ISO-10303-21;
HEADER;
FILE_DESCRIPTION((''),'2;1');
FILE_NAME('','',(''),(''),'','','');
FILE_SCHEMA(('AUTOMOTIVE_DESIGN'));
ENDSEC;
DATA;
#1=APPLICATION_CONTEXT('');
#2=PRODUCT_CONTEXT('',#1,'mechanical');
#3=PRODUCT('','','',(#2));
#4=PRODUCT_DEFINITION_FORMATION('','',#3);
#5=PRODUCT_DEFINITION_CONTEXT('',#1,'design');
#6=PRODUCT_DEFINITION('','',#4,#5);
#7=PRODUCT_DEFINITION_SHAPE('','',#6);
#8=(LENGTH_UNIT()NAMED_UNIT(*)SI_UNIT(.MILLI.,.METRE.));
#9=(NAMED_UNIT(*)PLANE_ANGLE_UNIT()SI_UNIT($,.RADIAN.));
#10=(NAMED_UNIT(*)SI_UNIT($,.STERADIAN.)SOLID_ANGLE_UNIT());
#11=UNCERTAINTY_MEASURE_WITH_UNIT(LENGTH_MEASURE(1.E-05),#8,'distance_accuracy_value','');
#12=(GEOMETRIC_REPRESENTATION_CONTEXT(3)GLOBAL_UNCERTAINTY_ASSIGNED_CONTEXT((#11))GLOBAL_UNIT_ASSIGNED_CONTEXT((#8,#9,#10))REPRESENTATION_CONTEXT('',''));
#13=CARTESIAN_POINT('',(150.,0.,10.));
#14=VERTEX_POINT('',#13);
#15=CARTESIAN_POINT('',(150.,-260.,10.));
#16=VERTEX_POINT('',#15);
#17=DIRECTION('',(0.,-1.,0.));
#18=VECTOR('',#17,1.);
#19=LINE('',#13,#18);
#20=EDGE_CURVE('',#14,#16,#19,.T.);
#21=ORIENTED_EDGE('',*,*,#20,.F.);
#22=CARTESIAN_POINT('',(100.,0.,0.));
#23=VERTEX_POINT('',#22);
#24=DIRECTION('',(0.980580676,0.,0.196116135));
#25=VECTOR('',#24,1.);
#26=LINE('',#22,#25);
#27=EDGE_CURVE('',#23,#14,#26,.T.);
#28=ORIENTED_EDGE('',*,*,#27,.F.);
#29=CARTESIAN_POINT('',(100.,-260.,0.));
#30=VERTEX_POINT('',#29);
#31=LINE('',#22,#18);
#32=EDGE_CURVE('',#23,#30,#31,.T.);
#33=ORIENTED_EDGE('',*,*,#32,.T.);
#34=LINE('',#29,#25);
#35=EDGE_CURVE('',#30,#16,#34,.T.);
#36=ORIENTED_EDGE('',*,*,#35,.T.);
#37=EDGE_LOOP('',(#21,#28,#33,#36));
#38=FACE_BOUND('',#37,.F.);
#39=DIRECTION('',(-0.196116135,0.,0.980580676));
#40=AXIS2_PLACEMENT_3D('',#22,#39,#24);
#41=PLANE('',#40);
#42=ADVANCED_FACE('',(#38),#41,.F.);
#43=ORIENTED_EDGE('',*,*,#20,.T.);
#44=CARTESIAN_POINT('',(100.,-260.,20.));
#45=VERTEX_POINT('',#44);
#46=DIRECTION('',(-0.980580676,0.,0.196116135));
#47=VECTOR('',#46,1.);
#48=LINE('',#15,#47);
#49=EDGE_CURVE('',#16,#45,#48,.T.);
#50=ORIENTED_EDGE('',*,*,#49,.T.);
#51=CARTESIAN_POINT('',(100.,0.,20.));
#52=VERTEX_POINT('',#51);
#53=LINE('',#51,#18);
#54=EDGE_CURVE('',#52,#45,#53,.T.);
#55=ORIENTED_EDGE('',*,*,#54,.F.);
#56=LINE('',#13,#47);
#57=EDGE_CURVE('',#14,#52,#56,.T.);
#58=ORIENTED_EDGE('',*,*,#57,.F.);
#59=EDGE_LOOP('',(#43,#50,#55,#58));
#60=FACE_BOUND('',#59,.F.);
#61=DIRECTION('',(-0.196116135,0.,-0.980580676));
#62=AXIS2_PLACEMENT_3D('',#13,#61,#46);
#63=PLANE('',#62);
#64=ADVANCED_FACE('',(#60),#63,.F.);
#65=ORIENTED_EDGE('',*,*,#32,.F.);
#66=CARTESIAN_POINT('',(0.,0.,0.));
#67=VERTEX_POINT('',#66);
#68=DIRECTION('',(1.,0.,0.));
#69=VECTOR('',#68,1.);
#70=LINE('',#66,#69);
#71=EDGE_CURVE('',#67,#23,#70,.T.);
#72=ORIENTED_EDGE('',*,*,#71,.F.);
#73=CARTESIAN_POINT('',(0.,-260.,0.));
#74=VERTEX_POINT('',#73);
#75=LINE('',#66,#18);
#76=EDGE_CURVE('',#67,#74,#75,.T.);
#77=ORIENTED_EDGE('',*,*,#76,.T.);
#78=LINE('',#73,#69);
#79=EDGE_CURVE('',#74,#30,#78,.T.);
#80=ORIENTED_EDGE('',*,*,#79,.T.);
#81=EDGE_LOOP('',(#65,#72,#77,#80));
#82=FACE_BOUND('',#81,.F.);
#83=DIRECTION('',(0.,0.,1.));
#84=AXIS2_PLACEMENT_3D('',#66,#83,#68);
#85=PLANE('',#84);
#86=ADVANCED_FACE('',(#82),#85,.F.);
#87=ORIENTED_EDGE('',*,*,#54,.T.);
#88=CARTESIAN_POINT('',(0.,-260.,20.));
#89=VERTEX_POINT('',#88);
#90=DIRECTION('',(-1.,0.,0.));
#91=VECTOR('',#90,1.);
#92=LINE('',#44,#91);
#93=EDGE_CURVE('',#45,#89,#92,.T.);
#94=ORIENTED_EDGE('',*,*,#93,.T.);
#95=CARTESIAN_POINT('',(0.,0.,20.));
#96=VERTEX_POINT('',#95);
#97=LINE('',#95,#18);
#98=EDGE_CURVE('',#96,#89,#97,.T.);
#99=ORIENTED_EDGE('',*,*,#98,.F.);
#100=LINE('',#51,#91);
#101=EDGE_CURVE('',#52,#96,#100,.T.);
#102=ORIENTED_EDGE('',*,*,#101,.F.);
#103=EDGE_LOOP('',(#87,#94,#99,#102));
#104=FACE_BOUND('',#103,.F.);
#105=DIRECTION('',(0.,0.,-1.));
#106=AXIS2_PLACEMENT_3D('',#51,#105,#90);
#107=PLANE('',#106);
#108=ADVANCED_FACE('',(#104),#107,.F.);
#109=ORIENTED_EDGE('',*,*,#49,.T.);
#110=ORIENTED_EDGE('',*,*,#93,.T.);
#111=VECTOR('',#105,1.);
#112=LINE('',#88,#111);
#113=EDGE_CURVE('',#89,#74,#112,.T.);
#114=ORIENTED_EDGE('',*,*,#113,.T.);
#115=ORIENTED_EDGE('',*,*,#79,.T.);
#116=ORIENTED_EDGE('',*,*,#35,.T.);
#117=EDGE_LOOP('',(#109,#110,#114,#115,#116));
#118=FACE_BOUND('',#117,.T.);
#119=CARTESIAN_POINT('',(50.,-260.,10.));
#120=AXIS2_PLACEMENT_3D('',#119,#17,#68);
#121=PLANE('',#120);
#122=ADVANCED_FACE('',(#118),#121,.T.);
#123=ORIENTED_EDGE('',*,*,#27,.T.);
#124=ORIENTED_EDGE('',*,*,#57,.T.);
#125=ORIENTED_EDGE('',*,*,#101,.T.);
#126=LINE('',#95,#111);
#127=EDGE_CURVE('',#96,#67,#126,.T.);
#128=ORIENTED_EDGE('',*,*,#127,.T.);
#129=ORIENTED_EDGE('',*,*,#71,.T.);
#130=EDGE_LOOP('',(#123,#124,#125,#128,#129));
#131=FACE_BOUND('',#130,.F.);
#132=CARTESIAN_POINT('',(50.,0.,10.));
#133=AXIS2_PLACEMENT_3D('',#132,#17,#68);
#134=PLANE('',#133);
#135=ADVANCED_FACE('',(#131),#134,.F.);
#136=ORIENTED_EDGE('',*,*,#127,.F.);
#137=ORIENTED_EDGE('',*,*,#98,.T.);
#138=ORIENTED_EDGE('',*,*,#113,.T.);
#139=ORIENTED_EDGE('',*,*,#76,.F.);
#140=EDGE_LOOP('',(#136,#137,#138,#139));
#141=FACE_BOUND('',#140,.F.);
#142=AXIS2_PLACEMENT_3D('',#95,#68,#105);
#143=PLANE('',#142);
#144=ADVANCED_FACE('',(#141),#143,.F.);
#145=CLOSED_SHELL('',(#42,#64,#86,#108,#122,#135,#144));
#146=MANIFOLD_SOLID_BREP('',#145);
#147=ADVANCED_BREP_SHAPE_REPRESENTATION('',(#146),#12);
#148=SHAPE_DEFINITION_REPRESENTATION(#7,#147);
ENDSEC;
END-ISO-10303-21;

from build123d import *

# Parameters (mm, degrees)
F1_DEPTH = 260


with BuildPart() as f1:
    # F0 (on Front) → F1 (new body)
    with BuildSketch(Plane.XZ):
        Polygon((0, 20), (0, 0), (100, 0), (100, 10), (100, 20), align=None)
        Polygon((100, 20), (100, 10), (150, 10), align=None)
        Polygon((100, 10), (100, 0), (150, 10), align=None)
    extrude(amount=F1_DEPTH)


solid = f1.part
